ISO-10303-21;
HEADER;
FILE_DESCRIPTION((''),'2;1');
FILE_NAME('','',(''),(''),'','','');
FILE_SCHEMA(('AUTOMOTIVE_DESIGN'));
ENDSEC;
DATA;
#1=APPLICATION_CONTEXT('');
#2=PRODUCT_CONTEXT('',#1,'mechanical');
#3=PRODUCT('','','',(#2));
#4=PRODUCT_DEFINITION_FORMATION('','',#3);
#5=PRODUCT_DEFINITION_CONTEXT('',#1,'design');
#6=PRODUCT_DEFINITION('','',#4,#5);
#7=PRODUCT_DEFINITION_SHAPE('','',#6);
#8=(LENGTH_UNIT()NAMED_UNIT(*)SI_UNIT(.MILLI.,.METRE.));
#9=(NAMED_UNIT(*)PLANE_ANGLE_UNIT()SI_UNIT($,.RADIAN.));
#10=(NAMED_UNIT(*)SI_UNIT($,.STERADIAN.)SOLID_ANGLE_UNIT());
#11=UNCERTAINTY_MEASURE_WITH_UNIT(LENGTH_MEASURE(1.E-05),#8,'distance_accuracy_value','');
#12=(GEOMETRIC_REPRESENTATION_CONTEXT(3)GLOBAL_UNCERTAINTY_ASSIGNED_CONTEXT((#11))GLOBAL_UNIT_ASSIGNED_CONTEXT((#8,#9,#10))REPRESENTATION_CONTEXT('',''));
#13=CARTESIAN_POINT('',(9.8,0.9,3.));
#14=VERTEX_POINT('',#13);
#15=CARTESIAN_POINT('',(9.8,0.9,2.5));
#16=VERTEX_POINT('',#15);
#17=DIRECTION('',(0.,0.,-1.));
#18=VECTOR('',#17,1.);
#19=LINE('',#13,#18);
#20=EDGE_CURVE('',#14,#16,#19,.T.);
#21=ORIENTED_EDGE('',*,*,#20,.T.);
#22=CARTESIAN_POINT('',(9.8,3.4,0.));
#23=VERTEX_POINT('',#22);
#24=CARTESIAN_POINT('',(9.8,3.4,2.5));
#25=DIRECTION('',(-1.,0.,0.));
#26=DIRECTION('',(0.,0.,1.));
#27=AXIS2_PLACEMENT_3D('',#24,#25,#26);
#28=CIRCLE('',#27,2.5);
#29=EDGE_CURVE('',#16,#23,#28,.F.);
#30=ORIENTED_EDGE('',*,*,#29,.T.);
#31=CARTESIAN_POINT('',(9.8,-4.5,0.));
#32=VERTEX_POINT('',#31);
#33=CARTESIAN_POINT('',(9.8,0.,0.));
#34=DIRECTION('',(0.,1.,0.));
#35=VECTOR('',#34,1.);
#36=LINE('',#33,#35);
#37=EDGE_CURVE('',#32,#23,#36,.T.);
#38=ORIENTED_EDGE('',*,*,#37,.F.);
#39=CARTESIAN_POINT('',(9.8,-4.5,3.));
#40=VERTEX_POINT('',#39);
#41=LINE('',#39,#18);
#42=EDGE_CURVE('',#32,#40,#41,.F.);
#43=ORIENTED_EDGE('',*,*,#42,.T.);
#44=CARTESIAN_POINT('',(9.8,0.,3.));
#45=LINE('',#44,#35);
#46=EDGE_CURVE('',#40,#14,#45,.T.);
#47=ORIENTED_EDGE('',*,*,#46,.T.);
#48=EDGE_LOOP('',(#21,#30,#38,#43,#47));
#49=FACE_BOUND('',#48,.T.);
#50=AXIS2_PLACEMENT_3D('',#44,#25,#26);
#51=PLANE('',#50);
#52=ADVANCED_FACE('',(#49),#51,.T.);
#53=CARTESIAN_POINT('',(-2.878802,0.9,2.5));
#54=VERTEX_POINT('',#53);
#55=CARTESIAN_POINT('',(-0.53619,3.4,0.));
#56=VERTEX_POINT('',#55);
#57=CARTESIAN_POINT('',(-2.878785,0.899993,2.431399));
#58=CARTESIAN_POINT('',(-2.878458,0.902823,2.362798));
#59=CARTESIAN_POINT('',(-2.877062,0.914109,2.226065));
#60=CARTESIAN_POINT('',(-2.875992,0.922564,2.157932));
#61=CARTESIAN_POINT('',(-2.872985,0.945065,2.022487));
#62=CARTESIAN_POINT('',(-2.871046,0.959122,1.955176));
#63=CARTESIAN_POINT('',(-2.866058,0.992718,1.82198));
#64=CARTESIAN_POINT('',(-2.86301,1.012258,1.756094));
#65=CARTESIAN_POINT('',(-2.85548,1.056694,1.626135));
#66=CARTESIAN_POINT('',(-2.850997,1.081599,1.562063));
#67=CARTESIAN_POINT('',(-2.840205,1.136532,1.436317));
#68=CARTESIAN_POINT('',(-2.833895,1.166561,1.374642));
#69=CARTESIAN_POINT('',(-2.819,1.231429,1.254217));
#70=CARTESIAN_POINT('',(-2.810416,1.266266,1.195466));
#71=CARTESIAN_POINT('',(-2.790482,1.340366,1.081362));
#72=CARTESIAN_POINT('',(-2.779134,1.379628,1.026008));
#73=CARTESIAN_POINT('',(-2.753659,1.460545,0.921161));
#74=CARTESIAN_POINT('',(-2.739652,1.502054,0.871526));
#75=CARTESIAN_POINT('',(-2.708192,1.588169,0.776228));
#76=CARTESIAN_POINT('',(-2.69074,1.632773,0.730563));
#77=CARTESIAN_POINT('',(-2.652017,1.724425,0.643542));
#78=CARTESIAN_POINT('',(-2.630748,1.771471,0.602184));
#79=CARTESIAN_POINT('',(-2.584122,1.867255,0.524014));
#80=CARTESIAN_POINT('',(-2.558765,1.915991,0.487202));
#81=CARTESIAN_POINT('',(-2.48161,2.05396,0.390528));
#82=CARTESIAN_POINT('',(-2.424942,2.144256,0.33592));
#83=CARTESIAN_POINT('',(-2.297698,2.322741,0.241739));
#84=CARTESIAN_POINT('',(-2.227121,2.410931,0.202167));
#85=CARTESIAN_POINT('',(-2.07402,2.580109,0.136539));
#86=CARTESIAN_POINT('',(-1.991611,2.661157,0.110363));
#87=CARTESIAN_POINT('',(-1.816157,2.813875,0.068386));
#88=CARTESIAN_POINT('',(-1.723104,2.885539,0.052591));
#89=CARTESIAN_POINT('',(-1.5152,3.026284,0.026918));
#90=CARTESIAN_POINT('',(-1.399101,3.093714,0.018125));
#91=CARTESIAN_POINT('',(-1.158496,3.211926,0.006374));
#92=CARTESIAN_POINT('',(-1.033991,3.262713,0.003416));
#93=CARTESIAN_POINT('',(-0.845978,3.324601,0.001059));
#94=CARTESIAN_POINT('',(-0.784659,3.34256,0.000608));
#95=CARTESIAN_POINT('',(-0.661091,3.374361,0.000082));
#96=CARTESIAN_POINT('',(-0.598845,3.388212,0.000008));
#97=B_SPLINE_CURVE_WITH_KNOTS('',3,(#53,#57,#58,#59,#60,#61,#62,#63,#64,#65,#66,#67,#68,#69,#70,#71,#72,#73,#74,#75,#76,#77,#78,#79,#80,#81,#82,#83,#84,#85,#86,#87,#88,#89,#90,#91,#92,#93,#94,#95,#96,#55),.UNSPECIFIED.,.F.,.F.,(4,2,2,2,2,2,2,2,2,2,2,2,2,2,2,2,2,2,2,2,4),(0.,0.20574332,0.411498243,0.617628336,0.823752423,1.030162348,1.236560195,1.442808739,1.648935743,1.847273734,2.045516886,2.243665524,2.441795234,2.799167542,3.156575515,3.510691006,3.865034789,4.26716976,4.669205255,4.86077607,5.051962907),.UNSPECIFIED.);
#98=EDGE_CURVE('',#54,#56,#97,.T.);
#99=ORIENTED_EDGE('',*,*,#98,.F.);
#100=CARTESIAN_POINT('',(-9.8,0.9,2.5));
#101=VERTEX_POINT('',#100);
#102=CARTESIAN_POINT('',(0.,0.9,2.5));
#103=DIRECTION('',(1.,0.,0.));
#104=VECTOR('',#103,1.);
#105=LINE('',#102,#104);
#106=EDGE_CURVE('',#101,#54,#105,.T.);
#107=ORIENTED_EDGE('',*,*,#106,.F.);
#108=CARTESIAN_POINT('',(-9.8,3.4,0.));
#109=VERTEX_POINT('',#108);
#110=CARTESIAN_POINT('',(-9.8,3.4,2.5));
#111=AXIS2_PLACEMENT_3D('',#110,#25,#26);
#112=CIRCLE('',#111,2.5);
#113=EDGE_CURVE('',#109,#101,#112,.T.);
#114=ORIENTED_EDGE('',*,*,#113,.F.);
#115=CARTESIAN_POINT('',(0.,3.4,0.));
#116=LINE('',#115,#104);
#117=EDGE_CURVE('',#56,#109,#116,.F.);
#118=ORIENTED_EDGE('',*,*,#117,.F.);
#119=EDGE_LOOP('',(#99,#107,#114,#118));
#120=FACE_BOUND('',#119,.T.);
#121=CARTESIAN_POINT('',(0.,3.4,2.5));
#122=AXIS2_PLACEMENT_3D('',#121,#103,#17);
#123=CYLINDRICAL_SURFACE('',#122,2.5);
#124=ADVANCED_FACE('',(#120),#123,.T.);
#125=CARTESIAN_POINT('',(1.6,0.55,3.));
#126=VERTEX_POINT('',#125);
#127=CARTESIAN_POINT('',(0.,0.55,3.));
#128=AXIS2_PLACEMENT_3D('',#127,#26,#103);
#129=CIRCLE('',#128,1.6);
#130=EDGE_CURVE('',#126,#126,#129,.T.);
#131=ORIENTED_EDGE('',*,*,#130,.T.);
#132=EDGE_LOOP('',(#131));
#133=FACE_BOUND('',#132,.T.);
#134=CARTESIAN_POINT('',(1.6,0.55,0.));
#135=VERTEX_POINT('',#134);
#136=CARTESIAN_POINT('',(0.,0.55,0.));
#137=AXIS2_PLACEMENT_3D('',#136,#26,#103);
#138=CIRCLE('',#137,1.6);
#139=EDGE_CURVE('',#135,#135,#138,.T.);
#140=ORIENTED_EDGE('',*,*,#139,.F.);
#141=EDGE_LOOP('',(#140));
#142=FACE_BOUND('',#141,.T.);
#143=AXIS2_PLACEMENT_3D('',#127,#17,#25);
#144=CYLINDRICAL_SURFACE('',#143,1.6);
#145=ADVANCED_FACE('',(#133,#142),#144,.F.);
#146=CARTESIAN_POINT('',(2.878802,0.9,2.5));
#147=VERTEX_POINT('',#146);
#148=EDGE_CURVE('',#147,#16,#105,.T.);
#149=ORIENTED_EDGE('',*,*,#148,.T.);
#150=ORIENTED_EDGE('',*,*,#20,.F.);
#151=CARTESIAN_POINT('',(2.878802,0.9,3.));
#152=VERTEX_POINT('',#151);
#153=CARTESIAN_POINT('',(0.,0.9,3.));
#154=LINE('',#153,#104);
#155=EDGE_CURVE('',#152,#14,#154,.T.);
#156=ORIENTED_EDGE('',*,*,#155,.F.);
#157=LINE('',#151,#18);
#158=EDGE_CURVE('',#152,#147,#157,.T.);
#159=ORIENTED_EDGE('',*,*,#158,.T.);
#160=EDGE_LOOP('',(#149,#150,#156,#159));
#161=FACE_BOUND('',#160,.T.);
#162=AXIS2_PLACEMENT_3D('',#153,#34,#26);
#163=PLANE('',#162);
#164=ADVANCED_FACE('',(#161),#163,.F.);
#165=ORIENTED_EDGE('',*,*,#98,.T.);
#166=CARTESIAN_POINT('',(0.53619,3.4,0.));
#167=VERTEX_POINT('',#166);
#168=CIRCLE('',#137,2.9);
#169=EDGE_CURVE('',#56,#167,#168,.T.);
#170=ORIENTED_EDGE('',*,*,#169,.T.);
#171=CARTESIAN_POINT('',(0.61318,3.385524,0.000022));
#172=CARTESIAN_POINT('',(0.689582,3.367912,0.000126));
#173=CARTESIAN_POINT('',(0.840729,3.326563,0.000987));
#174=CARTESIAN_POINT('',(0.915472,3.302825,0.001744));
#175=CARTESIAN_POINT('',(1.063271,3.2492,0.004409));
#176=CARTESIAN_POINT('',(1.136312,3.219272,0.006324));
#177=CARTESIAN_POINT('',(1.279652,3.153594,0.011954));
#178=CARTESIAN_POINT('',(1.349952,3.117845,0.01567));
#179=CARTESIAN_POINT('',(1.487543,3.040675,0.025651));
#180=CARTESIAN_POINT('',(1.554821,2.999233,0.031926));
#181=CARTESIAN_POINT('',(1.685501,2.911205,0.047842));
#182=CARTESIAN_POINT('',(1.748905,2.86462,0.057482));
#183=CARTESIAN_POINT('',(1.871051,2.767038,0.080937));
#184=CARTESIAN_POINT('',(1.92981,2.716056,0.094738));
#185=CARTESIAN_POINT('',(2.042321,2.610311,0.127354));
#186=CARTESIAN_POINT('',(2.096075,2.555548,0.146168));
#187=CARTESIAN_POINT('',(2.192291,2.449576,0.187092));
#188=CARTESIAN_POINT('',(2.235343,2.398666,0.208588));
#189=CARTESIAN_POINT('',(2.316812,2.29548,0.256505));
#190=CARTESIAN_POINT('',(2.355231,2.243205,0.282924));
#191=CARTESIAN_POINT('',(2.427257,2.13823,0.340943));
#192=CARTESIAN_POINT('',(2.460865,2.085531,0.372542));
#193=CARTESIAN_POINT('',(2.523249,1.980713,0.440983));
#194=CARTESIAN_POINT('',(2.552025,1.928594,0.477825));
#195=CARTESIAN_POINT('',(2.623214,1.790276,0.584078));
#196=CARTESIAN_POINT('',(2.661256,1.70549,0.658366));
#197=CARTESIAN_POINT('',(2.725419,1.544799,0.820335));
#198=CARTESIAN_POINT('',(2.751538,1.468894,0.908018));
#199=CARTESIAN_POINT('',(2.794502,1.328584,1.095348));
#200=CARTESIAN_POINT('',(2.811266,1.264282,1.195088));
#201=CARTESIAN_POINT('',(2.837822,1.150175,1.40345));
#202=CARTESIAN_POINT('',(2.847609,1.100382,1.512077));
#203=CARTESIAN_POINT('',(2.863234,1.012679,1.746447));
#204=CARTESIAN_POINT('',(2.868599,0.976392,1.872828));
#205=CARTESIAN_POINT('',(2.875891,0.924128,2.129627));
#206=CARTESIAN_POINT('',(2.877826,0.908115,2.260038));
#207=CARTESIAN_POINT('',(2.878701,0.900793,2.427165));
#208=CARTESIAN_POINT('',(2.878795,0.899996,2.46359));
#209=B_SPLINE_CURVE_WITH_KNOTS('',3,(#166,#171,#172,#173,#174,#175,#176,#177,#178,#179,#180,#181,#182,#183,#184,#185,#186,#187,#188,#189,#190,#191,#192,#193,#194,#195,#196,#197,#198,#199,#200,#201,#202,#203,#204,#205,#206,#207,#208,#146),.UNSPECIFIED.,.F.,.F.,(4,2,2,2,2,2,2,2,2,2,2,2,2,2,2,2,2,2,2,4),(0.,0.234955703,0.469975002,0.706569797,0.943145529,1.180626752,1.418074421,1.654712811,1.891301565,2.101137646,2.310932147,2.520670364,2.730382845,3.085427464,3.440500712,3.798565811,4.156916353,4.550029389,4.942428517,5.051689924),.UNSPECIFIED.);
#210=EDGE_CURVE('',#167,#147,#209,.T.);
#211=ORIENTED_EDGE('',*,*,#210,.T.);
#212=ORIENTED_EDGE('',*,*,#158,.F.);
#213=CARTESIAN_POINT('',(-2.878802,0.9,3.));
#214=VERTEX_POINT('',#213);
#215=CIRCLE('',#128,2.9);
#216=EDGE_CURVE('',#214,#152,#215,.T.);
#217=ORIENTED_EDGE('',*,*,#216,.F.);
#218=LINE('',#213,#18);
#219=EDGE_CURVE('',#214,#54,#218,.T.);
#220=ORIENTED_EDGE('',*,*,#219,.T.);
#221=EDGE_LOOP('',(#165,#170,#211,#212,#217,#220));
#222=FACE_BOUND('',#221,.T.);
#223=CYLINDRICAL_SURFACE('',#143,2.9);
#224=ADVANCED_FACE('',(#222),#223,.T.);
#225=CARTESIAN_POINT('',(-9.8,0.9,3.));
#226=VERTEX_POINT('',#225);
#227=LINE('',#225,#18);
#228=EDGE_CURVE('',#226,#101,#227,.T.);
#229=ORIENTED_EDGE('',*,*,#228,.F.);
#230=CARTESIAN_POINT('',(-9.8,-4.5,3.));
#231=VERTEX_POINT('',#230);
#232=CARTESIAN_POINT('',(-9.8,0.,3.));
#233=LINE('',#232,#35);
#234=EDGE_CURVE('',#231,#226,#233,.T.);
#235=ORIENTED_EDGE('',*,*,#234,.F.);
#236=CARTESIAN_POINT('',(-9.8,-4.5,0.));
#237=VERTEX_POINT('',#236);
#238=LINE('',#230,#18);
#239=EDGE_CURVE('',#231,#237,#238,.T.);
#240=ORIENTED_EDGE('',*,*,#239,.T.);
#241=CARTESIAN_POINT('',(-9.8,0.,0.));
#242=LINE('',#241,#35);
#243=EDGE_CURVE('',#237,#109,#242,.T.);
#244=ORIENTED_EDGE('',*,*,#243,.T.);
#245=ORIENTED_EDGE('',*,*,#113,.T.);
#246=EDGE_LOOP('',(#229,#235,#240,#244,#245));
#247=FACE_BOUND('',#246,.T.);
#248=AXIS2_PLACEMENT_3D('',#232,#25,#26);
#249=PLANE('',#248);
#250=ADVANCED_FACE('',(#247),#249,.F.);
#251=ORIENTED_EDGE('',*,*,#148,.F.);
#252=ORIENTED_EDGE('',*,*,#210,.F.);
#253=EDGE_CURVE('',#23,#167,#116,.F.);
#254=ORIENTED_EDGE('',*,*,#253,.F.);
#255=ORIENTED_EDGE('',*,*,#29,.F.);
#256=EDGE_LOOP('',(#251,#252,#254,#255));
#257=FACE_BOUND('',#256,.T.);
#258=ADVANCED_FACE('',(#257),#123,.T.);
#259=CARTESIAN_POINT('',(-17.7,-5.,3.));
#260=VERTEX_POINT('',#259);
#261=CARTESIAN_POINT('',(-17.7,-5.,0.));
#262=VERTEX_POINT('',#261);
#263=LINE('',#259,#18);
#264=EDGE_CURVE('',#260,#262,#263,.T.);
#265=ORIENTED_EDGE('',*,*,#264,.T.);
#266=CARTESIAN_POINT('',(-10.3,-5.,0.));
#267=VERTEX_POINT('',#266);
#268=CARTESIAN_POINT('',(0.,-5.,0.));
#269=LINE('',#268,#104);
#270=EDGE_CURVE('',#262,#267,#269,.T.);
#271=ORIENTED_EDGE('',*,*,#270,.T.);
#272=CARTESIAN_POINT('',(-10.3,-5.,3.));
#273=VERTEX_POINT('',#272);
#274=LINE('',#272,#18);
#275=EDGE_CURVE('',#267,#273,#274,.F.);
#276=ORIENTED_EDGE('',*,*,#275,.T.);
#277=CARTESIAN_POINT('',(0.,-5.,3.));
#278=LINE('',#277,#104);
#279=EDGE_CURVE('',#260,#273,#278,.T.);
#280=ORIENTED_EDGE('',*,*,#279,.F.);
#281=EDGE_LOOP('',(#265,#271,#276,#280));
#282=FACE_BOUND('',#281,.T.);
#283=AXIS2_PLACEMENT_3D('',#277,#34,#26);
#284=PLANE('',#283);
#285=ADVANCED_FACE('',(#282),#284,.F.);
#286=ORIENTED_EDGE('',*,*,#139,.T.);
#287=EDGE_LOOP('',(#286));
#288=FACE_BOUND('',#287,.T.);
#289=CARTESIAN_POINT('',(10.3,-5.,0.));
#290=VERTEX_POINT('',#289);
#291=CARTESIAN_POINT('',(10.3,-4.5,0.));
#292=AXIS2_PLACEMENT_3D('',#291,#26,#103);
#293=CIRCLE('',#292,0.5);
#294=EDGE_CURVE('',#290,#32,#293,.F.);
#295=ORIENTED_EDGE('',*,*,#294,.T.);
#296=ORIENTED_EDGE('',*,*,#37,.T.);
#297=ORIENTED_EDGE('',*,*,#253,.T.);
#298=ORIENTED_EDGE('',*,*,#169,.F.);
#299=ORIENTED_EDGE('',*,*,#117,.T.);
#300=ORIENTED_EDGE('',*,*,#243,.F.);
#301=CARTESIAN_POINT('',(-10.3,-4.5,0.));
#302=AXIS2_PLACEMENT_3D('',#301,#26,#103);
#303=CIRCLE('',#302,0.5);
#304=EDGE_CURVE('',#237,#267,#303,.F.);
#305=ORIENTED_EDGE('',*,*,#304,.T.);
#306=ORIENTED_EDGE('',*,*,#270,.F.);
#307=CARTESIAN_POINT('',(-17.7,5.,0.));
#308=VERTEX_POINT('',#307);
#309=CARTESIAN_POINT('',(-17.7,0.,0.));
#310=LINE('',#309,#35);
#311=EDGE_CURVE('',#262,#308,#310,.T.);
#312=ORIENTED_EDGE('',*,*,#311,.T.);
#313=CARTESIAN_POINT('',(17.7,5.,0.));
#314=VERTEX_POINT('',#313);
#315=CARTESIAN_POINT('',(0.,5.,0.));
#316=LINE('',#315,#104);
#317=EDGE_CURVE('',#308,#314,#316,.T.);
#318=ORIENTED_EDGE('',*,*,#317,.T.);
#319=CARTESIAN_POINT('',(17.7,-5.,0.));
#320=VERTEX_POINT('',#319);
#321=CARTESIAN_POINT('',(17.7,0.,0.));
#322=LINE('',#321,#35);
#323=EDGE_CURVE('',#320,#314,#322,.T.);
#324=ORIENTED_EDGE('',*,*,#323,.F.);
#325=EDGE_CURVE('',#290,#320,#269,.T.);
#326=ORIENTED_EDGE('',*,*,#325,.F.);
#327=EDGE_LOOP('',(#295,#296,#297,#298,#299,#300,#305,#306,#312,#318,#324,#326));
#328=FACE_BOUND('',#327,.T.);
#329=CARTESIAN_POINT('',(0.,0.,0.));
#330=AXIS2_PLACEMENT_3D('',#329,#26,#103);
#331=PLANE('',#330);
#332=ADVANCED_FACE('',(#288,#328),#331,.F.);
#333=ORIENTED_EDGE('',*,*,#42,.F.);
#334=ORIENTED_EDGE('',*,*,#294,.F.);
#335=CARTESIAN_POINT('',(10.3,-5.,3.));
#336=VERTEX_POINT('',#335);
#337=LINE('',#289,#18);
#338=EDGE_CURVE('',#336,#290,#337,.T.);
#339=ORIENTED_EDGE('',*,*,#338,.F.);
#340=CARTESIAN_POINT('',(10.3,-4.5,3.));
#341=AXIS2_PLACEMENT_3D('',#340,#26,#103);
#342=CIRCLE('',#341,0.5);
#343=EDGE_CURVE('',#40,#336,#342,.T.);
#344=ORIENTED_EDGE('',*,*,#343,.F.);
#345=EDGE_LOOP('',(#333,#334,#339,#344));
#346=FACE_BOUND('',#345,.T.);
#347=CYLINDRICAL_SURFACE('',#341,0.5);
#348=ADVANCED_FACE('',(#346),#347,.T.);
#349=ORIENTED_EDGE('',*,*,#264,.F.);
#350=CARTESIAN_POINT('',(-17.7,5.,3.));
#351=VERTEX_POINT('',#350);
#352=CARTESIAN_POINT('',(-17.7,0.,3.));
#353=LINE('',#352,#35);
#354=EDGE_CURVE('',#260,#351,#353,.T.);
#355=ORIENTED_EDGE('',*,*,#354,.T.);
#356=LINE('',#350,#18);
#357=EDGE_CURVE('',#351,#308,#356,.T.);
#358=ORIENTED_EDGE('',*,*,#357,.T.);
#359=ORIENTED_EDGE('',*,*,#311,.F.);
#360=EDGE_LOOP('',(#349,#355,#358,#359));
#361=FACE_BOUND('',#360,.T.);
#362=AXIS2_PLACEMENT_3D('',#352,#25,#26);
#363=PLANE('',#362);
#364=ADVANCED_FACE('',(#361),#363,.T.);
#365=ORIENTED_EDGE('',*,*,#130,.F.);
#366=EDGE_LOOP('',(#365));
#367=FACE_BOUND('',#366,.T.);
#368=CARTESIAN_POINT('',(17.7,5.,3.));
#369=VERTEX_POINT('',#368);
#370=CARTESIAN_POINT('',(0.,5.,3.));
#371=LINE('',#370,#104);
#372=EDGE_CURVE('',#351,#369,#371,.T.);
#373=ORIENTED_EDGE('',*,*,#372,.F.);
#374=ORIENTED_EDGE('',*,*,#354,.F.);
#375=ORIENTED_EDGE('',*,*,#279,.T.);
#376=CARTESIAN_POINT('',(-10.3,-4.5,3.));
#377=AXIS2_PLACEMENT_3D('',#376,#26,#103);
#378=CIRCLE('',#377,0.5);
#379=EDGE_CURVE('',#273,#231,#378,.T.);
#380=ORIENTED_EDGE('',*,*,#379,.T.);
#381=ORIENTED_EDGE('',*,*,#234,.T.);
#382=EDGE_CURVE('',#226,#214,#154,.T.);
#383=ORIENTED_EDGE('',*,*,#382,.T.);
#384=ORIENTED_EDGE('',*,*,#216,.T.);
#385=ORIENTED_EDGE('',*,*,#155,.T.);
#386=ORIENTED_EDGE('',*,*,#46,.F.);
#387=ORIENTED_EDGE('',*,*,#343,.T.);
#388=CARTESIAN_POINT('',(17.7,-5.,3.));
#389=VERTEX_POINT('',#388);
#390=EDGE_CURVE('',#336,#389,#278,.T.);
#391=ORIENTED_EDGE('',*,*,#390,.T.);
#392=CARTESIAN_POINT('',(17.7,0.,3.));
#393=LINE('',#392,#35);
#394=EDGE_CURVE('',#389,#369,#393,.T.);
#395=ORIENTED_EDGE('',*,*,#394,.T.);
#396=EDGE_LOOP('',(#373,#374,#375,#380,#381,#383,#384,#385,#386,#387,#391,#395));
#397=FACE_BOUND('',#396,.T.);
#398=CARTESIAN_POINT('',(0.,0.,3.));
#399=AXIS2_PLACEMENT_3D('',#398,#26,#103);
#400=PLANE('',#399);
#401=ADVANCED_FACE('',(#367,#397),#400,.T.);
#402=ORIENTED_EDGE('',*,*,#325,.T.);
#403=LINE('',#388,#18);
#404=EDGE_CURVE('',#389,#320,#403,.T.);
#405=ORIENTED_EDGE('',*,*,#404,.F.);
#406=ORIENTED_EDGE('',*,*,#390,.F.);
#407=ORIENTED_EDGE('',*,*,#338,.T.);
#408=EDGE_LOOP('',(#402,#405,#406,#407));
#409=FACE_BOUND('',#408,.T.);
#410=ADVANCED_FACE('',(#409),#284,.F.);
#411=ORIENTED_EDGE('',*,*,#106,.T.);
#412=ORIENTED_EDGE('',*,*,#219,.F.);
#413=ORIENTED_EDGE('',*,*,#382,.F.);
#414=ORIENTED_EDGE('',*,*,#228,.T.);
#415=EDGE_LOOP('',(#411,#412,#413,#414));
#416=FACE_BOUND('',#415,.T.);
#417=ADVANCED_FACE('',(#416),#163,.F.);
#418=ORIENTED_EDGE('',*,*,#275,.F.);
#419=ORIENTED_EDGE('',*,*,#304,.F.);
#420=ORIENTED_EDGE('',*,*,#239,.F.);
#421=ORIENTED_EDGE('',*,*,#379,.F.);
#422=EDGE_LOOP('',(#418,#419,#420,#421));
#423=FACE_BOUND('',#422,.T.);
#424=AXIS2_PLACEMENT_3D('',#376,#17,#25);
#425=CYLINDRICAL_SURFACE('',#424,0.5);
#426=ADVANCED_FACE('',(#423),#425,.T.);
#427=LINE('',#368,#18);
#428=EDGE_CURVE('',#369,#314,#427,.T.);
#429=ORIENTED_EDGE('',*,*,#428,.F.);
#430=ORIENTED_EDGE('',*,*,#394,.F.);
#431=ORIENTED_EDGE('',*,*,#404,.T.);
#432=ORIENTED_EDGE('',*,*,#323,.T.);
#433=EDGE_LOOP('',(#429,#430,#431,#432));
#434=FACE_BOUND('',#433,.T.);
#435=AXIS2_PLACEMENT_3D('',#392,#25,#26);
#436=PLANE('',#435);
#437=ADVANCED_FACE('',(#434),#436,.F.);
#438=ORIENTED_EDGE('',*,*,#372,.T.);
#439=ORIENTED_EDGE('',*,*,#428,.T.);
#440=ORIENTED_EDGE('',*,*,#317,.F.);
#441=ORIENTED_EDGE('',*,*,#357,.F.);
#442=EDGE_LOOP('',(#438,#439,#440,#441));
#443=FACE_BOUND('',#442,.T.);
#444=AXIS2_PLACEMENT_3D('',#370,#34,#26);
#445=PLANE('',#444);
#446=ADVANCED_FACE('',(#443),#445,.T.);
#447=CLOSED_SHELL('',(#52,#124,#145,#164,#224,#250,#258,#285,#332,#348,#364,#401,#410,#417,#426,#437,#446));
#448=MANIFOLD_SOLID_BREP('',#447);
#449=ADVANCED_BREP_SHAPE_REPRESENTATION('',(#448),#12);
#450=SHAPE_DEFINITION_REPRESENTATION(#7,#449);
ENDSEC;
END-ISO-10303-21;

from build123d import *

# Parameters (mm, degrees)
SKETCH2_R           = 1.6
BOSS_EXTRUDE2_DEPTH = 3
FILLET1_R           = 2.5
FILLET2_R           = 0.5


with BuildPart() as part:
    # Sketch2 → Boss-Extrude2 (new body)
    with BuildSketch(Plane.XY):
        with BuildLine():
            Line((9.8, 0.9), (9.8, -5))
            Line((9.8, -5), (17.7, -5))
            Line((17.7, -5), (17.7, 5))
            Line((17.7, 5), (-17.7, 5))
            Line((-17.7, 5), (-17.7, -5))
            Line((-17.7, -5), (-9.8, -5))
            Line((-9.8, -5), (-9.8, 0.9))
            Line((-9.8, 0.9), (-2.878801834, 0.9))
            ThreePointArc((-2.878801834, 0.9), (0, -2.35), (2.878801834, 0.9))
            Line((2.878801834, 0.9), (9.8, 0.9))
        make_face()
        with Locations((0, 0.55)):
            Circle(SKETCH2_R, mode=Mode.SUBTRACT)
    extrude(amount=BOSS_EXTRUDE2_DEPTH)

    # Fillet1
    fillet1_edges = [part.edges().sort_by_distance(p)[0] for p in [
        (-6.339400917, 0.9, 0),
        (6.339400917, 0.9, 0),
    ]]
    fillet(fillet1_edges, radius=FILLET1_R)

    # Fillet2
    fillet2_edges = [part.edges().sort_by_distance(p)[0] for p in [
        (-9.8, -5, 1.5),
        (9.8, -5, 1.5),
    ]]
    fillet(fillet2_edges, radius=FILLET2_R)


solid = part.part
